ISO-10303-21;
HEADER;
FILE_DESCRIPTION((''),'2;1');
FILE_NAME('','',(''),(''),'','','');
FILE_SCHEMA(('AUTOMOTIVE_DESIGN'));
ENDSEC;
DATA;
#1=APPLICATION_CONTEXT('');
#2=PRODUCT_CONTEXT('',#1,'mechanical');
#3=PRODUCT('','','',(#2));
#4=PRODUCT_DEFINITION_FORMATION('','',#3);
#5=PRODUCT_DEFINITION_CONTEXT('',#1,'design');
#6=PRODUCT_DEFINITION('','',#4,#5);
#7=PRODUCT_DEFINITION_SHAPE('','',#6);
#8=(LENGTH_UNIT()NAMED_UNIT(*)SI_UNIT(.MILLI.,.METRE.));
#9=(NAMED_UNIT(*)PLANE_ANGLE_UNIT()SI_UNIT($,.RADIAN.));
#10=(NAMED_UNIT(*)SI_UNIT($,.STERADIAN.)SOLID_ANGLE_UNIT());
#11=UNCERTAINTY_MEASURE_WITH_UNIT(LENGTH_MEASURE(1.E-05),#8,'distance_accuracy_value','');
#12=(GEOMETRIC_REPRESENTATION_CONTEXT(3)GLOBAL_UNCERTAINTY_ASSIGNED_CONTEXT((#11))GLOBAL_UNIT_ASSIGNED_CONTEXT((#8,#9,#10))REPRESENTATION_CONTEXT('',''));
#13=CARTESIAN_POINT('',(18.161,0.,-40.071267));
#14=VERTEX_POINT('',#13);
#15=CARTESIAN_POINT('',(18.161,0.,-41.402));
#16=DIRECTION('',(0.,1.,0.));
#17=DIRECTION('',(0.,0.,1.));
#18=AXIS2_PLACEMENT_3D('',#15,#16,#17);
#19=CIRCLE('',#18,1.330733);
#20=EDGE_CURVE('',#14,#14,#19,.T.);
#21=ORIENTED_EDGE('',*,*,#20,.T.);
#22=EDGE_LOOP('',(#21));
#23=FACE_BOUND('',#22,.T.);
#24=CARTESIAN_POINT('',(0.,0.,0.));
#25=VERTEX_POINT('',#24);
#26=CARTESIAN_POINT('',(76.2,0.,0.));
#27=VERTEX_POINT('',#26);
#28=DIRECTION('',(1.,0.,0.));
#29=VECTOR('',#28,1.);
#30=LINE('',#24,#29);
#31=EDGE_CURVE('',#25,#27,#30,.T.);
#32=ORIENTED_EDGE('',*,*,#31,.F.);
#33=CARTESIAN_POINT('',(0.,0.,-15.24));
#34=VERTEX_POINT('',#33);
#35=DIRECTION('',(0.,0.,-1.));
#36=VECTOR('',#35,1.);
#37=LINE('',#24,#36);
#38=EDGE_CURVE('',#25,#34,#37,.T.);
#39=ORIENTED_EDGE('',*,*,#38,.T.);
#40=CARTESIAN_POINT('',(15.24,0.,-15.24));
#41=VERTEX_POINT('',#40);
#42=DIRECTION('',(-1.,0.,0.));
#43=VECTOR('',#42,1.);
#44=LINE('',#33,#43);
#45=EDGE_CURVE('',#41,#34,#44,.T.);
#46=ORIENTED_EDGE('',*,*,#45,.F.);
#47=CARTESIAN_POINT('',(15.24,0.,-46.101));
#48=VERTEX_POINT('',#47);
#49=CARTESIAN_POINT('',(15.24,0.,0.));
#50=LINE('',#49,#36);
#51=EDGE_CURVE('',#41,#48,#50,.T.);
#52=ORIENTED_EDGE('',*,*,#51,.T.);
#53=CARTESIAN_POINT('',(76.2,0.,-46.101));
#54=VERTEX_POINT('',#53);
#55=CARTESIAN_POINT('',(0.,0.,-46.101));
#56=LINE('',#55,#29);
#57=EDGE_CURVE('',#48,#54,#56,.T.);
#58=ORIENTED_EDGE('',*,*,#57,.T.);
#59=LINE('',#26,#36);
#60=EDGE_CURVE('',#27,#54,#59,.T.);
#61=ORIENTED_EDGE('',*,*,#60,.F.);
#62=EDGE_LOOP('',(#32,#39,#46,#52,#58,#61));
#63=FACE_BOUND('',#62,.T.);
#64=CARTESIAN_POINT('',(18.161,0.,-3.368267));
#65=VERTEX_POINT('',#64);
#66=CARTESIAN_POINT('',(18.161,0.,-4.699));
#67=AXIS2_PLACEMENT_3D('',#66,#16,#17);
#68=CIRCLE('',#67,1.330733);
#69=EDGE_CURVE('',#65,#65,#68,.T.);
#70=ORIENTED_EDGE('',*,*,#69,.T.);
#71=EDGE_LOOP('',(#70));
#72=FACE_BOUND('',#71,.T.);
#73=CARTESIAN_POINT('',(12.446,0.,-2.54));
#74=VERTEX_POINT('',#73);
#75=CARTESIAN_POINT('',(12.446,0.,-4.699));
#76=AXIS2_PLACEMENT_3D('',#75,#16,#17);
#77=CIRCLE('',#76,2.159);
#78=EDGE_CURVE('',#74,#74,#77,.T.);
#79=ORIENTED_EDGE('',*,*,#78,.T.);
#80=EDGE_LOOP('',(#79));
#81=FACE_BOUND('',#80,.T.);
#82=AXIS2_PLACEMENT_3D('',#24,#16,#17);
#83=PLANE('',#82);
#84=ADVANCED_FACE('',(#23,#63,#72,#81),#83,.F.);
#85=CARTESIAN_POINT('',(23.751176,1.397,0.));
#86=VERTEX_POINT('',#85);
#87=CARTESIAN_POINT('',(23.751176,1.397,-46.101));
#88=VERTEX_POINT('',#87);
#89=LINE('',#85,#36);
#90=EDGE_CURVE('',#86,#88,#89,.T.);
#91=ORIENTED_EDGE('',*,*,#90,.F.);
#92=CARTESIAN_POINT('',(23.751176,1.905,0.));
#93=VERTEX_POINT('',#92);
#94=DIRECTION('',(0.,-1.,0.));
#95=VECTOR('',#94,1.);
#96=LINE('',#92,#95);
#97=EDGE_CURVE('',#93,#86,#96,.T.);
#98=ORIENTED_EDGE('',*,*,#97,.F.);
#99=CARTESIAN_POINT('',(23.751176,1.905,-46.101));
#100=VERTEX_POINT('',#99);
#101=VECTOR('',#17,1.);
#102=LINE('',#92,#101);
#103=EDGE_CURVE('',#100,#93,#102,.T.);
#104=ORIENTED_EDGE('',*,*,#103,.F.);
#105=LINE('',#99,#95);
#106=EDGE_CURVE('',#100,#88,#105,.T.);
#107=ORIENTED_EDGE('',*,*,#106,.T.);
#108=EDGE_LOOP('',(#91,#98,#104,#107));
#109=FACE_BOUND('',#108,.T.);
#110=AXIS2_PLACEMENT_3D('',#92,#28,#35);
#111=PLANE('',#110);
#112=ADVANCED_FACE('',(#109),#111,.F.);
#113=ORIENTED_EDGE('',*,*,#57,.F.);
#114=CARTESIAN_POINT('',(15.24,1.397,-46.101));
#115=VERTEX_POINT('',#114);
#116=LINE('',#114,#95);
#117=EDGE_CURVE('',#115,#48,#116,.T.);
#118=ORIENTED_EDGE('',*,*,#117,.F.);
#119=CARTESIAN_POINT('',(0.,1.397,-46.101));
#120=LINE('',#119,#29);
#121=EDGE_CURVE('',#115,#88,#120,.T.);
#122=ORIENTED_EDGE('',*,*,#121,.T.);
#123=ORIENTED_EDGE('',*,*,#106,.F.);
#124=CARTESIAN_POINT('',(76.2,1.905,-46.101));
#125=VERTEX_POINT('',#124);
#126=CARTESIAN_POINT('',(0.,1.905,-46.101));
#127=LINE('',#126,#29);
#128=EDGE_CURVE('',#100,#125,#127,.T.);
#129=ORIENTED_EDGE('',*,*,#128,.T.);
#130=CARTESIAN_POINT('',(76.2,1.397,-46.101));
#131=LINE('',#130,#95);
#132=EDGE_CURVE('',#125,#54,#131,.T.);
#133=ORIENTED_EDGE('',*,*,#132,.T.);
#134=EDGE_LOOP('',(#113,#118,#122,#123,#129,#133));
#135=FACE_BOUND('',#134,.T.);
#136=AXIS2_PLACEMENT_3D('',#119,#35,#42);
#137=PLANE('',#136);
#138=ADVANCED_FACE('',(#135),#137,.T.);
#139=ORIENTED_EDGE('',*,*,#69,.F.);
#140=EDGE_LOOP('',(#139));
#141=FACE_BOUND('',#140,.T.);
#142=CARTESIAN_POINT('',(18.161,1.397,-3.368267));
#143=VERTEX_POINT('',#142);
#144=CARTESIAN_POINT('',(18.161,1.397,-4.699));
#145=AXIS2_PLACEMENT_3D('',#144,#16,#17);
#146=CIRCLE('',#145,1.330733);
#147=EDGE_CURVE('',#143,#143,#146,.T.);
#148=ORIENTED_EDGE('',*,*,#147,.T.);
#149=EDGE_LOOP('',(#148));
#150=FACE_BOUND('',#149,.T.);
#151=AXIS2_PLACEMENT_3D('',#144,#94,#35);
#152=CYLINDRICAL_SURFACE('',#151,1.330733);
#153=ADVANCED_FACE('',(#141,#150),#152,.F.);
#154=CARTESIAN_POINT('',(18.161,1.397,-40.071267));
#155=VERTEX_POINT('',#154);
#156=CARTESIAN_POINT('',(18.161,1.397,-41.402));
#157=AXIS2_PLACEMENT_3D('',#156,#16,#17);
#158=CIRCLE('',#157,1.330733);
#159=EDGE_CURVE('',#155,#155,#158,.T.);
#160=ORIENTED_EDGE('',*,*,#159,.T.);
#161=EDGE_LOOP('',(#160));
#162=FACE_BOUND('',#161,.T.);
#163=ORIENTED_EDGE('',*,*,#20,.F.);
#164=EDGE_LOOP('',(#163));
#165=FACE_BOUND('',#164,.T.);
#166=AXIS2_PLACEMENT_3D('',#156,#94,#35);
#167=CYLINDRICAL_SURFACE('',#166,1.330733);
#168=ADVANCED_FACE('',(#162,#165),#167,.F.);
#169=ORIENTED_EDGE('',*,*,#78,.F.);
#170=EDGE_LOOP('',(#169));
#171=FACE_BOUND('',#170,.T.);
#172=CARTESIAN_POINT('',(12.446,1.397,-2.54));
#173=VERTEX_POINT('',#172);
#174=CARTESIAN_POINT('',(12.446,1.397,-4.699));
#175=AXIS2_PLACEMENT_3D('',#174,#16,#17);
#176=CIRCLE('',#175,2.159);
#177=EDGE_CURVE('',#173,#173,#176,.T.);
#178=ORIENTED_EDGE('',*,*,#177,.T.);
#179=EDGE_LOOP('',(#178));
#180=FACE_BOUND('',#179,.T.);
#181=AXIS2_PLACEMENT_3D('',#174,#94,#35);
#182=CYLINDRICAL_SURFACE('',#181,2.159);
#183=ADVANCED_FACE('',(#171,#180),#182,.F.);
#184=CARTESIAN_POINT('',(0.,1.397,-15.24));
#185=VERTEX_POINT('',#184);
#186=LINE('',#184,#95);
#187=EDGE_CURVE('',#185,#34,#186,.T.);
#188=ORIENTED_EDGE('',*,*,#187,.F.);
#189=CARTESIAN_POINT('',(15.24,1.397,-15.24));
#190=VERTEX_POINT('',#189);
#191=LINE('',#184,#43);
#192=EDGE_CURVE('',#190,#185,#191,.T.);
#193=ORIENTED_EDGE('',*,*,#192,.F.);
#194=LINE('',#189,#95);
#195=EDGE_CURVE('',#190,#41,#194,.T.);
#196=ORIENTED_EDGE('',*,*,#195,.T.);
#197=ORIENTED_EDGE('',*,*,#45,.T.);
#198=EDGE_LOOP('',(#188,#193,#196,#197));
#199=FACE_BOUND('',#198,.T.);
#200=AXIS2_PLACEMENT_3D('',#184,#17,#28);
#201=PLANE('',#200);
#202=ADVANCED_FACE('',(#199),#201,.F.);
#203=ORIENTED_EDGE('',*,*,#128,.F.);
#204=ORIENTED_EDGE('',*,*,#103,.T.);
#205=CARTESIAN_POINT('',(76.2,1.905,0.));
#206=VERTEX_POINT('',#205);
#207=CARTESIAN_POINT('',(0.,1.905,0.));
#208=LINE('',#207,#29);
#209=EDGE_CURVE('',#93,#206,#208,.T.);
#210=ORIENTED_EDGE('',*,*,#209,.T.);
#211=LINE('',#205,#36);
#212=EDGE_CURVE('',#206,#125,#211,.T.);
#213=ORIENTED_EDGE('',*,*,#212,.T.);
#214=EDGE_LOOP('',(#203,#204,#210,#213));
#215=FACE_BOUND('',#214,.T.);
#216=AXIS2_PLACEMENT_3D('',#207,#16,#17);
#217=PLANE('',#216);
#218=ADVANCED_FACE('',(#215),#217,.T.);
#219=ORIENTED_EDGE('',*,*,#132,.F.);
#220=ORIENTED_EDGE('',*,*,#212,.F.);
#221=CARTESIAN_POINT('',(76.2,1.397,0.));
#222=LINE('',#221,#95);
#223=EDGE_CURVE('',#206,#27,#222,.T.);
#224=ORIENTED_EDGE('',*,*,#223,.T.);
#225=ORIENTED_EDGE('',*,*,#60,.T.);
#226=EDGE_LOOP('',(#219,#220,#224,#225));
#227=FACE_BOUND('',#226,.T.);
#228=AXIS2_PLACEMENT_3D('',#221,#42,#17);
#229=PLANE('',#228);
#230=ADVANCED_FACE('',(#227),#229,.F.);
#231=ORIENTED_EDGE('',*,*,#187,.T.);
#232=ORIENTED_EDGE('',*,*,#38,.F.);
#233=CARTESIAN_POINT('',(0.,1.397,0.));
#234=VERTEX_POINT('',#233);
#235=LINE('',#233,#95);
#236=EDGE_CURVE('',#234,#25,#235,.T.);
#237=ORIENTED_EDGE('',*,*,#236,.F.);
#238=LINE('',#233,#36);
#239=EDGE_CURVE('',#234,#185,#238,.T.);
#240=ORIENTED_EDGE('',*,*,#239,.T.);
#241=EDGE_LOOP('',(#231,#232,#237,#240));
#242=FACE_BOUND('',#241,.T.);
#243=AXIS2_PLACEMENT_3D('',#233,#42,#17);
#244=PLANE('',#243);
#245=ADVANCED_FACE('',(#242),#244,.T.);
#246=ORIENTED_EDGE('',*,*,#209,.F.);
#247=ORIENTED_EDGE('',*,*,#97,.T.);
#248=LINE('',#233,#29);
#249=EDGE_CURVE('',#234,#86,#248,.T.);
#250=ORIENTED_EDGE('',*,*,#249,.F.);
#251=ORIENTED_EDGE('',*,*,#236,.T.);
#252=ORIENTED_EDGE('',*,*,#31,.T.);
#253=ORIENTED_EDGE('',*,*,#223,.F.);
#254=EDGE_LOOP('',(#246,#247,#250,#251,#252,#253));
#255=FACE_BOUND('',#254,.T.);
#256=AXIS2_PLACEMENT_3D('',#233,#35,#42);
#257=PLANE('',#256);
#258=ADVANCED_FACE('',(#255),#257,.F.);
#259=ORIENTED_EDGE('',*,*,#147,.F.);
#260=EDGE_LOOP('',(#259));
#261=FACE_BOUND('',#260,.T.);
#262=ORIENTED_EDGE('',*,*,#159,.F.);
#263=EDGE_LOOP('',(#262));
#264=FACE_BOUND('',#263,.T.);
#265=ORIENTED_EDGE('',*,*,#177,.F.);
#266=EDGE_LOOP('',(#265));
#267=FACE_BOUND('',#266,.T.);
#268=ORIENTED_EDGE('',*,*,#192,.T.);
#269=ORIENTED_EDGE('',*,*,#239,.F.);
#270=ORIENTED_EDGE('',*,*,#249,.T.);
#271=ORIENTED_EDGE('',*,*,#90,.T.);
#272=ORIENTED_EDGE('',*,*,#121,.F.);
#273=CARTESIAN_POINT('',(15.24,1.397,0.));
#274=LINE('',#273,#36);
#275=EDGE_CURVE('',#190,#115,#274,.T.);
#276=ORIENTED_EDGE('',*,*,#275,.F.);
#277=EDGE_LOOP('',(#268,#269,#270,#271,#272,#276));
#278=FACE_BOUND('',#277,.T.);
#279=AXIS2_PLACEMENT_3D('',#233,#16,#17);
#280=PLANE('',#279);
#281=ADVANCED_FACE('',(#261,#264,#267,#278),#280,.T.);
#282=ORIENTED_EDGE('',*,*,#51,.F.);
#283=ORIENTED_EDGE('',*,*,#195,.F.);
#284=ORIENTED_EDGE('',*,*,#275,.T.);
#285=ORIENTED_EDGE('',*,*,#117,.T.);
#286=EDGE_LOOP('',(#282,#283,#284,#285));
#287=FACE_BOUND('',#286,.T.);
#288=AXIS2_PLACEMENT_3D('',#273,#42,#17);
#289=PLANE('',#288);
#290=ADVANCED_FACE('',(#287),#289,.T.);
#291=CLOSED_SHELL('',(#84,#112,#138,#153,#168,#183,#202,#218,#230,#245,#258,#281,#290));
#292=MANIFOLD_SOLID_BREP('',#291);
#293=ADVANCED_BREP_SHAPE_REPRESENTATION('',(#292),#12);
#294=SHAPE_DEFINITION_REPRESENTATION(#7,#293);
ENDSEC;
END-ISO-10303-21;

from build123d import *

# Parameters (mm, degrees)
SKETCH1_R           = 2.159
SKETCH1_R_2         = 1.330733042
BOSS_EXTRUDE1_DEPTH = 1.397
SKETCH1_3_W         = 52.448824391
SKETCH1_3_H         = 46.101
BOSS_EXTRUDE2_DEPTH = 1.905


with BuildPart() as part:
    # Sketch1 → Boss-Extrude1 (new body)
    with BuildSketch(Plane(origin=(0, 0, 0), x_dir=(1, 0, 0), z_dir=(0, 1, 0))):
        Polygon((0, 15.24), (0, 0), (76.2, 0), (76.2, 46.101), (15.24, 46.101), (15.24, 15.24), align=None)
        with Locations((12.446, 4.699)):
            Circle(SKETCH1_R, mode=Mode.SUBTRACT)
        with Locations((18.161, 4.699)):
            Circle(SKETCH1_R_2, mode=Mode.SUBTRACT)
        with Locations((18.161, 41.402)):
            Circle(SKETCH1_R_2, mode=Mode.SUBTRACT)
    extrude(amount=BOSS_EXTRUDE1_DEPTH)

    # Sketch1<3> → Boss-Extrude2 (add)
    with BuildSketch(Plane(origin=(0, 0, 0), x_dir=(1, 0, 0), z_dir=(0, 1, 0))):
        with Locations((49.975587805, 23.0505)):
            Rectangle(SKETCH1_3_W, SKETCH1_3_H)
    extrude(amount=BOSS_EXTRUDE2_DEPTH)


solid = part.part
